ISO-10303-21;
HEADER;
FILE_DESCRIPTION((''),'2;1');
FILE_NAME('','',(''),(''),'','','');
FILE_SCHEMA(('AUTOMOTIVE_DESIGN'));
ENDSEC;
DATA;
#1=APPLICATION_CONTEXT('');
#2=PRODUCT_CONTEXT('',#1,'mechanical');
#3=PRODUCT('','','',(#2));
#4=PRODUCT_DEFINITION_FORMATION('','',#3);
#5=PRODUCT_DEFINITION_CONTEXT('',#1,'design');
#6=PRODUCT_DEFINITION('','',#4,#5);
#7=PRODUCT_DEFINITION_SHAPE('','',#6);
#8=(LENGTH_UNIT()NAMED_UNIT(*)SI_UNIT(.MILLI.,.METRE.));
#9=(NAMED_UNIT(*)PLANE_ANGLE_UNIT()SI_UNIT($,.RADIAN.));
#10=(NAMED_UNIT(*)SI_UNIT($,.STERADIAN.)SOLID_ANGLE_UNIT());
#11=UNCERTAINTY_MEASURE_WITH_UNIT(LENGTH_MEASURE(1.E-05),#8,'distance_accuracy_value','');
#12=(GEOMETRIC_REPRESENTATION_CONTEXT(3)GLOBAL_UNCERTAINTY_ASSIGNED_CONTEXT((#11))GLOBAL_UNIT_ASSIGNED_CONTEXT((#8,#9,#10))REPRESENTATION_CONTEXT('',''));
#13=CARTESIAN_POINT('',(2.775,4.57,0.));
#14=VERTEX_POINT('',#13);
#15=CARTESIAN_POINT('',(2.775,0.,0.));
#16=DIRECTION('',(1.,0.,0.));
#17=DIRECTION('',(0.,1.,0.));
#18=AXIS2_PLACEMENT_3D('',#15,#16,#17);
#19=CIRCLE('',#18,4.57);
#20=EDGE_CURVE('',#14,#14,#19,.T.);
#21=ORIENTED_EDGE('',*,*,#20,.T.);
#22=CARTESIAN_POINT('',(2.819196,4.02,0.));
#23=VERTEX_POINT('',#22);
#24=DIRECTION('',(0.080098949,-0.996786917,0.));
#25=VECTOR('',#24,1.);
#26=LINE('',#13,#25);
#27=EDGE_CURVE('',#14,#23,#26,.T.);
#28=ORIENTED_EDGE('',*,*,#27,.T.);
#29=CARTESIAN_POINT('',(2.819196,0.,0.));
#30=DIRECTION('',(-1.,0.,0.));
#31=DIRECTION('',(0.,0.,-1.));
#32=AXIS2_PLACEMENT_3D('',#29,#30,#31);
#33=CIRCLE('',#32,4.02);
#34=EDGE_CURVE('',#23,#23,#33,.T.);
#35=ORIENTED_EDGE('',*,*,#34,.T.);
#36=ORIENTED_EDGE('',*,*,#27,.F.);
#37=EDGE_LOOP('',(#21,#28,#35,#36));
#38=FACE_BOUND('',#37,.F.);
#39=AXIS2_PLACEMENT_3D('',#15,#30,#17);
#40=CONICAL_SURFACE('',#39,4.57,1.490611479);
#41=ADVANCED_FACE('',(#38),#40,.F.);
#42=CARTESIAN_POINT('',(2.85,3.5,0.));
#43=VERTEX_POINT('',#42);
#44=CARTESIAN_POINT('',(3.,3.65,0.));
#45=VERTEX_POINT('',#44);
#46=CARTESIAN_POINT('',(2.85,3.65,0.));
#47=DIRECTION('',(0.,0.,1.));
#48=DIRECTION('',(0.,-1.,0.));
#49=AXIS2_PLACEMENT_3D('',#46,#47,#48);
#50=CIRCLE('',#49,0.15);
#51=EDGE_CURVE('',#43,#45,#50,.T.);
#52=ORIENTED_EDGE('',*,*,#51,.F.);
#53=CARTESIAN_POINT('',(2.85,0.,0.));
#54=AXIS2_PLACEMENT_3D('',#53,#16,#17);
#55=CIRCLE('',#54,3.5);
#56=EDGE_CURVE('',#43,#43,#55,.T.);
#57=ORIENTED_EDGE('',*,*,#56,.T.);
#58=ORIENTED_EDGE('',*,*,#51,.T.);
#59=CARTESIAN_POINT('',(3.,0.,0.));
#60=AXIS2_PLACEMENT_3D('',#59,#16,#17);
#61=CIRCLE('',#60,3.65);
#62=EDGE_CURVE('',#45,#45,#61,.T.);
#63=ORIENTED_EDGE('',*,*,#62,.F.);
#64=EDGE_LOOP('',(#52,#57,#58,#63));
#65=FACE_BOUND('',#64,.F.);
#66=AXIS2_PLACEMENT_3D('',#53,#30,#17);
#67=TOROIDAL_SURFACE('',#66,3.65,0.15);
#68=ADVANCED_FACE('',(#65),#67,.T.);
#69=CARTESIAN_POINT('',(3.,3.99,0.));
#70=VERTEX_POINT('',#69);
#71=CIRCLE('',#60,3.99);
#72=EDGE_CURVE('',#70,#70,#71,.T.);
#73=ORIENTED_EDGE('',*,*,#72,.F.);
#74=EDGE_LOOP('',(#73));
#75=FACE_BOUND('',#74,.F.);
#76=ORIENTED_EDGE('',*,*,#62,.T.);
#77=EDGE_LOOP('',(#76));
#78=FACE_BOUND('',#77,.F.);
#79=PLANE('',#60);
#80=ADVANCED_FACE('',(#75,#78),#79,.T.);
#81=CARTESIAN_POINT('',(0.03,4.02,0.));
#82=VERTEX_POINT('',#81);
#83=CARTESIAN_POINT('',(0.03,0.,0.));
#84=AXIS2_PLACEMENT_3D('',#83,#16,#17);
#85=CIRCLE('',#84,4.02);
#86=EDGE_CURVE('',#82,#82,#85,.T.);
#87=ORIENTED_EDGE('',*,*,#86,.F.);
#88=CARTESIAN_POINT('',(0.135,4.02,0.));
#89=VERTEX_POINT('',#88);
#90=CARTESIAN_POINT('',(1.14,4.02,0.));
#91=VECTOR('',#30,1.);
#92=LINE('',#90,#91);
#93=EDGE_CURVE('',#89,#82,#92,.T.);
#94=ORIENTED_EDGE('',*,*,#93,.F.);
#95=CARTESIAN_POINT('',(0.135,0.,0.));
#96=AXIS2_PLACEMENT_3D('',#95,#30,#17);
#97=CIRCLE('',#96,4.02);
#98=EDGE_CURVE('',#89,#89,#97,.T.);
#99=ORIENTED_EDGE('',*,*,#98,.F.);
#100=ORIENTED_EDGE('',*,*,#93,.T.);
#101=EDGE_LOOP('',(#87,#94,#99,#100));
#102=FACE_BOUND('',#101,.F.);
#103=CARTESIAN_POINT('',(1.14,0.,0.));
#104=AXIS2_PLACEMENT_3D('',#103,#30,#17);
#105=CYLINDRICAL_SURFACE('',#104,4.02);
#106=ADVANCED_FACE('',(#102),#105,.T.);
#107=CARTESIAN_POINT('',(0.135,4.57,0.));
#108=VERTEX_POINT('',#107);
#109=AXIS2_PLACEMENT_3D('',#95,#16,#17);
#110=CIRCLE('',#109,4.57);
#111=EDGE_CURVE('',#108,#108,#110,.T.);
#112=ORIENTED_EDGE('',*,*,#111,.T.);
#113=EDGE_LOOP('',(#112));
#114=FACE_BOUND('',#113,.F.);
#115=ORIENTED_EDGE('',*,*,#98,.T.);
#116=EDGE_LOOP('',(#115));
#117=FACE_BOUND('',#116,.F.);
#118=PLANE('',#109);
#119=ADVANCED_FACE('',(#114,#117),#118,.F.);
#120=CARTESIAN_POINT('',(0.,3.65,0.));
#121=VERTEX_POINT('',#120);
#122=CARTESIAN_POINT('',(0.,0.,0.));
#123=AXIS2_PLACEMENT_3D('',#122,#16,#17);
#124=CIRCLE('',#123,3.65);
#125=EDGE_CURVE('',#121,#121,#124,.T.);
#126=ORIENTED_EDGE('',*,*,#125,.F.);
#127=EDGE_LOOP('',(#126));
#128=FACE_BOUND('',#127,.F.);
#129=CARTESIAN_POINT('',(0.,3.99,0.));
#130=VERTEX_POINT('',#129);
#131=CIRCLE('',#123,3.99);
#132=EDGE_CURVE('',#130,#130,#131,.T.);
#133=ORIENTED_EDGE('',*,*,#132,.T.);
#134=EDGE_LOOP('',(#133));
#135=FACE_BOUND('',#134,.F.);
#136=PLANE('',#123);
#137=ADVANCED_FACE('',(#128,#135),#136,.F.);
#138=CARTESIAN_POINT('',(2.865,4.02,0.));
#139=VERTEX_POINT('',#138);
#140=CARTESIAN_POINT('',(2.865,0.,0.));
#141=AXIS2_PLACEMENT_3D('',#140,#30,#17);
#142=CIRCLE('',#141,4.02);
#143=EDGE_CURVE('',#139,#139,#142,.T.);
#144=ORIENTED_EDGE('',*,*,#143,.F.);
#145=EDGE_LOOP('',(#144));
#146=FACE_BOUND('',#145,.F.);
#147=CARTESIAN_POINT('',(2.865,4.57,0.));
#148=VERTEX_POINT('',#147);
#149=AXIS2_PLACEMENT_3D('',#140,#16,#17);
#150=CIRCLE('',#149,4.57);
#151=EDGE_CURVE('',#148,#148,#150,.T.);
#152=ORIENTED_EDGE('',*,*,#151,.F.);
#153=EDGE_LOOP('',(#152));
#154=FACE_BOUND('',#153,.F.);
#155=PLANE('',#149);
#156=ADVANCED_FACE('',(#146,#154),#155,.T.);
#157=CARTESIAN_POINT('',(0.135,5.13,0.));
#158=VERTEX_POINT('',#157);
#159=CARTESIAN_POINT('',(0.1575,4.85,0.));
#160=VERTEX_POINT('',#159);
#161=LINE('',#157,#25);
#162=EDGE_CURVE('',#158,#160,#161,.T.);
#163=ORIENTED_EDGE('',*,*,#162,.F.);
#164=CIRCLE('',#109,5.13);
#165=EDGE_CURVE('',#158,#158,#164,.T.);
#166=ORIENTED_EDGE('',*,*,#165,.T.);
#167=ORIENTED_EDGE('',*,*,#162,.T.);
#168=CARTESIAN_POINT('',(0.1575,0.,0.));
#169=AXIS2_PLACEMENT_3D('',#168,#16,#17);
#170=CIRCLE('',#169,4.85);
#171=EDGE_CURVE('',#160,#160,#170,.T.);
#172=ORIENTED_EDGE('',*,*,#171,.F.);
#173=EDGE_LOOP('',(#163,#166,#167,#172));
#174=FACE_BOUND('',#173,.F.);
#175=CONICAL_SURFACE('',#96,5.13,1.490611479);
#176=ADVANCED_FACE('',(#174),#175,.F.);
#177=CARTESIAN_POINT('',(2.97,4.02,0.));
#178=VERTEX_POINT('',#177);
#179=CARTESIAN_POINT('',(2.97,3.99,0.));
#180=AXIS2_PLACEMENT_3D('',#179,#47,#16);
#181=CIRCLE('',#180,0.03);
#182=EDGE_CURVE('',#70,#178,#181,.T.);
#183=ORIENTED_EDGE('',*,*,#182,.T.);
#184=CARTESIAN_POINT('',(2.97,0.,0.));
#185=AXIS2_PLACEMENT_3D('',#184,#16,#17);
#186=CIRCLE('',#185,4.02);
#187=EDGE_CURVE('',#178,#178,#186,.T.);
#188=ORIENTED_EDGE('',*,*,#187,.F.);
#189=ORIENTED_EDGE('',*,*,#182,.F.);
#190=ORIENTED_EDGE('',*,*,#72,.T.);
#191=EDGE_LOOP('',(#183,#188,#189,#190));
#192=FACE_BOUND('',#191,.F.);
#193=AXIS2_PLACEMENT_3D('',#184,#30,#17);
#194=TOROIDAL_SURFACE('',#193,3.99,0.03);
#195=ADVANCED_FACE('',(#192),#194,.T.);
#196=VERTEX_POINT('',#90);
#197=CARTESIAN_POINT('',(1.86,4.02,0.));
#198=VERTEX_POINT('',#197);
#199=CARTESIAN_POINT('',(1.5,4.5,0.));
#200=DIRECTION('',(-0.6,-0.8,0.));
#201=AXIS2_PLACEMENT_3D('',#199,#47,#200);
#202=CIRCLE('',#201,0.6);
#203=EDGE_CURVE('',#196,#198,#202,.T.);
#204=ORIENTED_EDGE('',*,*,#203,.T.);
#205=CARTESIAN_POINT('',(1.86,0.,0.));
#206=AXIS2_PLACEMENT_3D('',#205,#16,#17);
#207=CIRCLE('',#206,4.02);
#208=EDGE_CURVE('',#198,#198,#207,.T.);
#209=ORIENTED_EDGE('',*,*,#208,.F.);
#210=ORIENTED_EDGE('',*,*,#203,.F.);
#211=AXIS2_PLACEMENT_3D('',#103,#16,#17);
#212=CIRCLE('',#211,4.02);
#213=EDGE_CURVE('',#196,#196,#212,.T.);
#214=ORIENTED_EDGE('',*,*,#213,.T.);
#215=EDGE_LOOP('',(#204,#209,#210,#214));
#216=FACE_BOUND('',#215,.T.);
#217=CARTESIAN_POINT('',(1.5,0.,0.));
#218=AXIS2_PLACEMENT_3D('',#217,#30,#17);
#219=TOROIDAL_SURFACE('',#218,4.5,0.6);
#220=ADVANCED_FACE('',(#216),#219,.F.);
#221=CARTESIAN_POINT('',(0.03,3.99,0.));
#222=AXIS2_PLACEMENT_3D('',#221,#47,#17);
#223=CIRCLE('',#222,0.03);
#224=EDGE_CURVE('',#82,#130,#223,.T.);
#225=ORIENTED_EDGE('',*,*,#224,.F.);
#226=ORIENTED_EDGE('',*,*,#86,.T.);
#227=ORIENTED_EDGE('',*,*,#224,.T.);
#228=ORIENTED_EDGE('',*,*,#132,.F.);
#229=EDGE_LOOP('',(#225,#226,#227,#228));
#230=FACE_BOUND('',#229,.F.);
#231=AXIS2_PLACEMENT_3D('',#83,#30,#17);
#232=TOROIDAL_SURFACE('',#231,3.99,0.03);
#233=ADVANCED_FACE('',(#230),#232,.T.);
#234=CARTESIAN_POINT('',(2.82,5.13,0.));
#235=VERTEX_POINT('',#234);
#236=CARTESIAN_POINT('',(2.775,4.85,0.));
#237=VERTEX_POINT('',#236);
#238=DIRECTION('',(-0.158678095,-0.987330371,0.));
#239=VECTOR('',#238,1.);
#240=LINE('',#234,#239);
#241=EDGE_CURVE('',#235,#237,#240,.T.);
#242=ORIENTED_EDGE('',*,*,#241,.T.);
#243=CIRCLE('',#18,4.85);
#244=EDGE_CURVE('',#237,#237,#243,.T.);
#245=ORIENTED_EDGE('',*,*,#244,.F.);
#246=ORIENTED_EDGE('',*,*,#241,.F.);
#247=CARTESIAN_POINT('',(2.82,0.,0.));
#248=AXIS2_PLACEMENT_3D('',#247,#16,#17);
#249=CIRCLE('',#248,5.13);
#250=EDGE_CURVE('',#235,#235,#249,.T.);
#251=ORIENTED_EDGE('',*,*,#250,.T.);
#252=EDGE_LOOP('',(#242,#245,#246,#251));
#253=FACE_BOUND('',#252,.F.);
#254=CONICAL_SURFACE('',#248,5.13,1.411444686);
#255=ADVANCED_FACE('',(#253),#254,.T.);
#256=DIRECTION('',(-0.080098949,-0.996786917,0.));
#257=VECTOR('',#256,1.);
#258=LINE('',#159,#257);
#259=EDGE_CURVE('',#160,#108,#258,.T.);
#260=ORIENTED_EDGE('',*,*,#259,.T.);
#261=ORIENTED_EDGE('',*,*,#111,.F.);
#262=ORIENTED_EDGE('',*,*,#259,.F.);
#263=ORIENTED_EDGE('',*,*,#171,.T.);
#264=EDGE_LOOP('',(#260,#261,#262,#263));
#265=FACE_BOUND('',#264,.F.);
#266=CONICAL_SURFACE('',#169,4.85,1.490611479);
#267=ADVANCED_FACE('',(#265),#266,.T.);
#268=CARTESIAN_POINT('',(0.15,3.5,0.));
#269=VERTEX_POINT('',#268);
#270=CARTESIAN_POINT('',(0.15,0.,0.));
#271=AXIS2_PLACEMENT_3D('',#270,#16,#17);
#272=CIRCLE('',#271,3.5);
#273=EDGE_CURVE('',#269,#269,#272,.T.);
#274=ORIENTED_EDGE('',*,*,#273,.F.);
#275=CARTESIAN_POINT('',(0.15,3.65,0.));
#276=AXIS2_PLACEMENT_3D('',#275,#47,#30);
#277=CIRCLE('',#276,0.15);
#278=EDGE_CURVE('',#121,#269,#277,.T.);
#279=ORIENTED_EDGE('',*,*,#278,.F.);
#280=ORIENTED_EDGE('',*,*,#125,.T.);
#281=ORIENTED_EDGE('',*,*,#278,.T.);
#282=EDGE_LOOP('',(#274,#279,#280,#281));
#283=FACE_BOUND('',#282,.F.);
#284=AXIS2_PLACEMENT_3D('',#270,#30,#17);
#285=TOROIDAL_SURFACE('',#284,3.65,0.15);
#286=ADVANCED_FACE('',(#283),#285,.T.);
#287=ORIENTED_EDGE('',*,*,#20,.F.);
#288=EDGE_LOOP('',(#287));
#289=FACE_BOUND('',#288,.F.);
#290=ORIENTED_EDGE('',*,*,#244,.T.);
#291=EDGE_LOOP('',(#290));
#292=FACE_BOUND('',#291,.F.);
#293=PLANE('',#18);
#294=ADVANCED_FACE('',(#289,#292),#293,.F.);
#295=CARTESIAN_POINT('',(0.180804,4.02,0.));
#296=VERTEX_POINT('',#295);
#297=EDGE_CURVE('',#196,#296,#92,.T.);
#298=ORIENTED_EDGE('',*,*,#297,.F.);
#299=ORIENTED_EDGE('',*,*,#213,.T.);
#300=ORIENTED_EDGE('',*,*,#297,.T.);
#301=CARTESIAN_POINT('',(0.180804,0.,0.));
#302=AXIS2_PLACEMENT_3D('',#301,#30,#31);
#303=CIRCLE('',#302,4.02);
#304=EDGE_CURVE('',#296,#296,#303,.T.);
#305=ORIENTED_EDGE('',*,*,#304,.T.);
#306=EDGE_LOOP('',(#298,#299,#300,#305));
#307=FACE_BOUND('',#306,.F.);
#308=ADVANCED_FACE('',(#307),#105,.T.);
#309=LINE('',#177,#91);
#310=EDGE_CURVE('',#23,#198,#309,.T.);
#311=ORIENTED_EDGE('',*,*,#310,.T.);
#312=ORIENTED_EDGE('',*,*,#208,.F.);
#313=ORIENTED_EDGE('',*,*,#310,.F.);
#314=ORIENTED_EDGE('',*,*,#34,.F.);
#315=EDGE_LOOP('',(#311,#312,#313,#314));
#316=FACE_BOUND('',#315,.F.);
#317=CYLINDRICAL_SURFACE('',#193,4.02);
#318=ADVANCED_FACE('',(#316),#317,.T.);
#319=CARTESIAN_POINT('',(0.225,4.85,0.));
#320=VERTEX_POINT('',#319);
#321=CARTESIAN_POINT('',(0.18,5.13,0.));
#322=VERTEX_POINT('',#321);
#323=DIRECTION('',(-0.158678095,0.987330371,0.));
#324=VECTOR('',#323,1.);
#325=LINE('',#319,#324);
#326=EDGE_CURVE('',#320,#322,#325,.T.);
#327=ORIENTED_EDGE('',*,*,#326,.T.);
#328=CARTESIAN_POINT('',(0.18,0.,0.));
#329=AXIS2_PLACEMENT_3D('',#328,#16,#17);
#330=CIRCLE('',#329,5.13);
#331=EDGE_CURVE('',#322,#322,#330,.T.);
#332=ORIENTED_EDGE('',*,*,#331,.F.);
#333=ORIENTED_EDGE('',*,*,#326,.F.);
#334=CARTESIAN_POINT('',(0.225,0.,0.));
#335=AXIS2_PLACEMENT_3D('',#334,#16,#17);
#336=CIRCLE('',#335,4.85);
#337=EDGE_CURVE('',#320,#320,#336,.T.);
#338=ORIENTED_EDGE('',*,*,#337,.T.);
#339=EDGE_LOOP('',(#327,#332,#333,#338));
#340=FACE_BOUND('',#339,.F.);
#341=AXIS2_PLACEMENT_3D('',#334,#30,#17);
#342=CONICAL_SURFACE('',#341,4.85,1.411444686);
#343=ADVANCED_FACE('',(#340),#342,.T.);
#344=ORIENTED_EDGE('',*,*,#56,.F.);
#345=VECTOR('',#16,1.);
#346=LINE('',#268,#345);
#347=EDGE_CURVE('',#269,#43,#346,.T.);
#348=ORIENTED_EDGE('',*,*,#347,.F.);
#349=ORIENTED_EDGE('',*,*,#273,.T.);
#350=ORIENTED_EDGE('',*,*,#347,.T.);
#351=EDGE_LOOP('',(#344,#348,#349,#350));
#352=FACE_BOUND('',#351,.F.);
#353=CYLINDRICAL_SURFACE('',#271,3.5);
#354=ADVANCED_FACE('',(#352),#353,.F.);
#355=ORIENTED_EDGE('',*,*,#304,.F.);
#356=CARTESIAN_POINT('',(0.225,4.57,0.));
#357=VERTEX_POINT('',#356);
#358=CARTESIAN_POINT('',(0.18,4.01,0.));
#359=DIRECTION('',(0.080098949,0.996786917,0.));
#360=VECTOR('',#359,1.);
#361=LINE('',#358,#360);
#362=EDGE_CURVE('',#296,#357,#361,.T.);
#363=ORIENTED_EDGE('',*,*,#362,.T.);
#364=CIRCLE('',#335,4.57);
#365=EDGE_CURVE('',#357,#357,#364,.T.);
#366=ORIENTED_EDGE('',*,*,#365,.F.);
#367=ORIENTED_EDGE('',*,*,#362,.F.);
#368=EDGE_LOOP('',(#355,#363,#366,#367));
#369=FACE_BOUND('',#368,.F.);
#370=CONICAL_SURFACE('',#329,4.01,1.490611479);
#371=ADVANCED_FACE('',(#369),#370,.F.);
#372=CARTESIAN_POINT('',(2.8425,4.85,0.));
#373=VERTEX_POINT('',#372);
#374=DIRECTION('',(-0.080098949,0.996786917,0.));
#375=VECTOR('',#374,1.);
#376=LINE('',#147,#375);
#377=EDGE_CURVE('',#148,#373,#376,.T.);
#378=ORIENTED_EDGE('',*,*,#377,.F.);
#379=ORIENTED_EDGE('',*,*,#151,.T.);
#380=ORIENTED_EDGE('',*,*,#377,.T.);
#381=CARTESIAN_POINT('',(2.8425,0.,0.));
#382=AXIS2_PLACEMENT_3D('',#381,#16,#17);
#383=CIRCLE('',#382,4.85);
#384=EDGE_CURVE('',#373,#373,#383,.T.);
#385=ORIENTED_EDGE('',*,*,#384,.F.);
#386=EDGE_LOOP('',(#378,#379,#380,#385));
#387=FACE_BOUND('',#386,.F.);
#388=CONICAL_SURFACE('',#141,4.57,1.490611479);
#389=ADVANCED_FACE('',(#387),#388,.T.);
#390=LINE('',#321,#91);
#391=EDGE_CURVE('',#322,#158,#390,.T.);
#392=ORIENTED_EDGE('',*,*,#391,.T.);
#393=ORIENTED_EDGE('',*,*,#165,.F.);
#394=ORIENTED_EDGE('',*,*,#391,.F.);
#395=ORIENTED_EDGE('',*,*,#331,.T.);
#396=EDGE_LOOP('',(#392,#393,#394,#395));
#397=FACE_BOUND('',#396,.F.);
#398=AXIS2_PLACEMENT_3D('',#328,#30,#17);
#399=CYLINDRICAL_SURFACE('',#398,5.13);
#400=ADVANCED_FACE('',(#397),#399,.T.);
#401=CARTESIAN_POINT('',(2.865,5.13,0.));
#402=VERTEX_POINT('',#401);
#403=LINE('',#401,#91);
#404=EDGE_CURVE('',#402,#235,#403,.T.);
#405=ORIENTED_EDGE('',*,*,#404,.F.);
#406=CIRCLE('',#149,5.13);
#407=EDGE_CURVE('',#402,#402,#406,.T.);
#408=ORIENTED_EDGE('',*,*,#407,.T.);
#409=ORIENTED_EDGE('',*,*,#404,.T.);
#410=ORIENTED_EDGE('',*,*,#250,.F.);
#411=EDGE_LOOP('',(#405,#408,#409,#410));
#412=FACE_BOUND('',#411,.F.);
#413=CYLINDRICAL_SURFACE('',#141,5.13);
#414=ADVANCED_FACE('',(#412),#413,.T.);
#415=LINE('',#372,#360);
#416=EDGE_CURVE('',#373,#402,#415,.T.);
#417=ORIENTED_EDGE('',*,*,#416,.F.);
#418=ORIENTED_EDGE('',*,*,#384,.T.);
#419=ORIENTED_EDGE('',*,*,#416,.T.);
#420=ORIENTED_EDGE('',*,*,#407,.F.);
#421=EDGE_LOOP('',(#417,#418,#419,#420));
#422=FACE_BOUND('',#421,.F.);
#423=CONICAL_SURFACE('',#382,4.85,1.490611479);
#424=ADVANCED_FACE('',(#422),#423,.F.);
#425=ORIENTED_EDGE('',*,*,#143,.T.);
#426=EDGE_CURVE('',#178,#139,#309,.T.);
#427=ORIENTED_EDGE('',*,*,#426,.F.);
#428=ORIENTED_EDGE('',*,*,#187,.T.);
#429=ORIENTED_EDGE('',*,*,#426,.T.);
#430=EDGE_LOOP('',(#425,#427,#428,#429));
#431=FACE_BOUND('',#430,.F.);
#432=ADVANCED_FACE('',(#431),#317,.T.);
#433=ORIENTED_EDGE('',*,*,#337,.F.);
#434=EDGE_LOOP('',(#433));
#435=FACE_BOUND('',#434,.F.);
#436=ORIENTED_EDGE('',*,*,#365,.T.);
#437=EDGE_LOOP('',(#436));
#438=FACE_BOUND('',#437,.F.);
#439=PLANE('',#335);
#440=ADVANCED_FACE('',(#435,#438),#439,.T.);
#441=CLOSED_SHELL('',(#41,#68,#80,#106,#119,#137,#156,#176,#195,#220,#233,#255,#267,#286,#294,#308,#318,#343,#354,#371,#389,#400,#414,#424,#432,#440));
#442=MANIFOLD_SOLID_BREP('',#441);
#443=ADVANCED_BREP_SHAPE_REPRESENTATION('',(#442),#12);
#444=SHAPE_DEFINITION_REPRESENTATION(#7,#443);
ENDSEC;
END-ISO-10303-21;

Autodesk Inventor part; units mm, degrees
ref_plane "YZ Plane" through (0, 0, 0) normal (1, 0, 0) x (0, 1, 0)
ref_plane "XZ Plane" through (0, 0, 0) normal (0, 1, 0) x (-1, 0, 0)
ref_plane "XY Plane" through (0, 0, 0) normal (0, 0, 1) x (1, 0, 0)
sketch "Sketch_17" plane through (0, 0, 0) normal (0, 0, 1) x (1, 0, 0)
  line L0 (50, 0) -> (-50, 0)
  line L1 (0, 3.99) -> (0, 3.65)
  arc A0 (0, 3.65) -> (0.15, 3.5) centre (0.15, 3.65) ccw
  line L2 (0.15, 3.5) -> (2.85, 3.5)
  arc A1 (2.85, 3.5) -> (3, 3.65) centre (2.85, 3.65) ccw
  line L3 (3, 3.65) -> (3, 3.99)
  arc A2 (3, 3.99) -> (2.97, 4.02) centre (2.97, 3.99) ccw
  line L4 (2.97, 4.02) -> (1.86, 4.02)
  arc A3 (1.14, 4.02) -> (1.86, 4.02) centre (1.5, 4.5) ccw
  line L5 (1.14, 4.02) -> (0.03, 4.02)
  arc A4 (0.03, 4.02) -> (0, 3.99) centre (0.03, 3.99) ccw
revolve "Revolution1" add sketch "Sketch_17" angle 360 about axis through (50, 0, 0) along (1, 0, 0)
sketch "Sketch_20" plane through (0, 0, 0) normal (0, 0, 1) x (1, 0, 0)
  line L0 (50, 0) -> (-50, 0)
  line L1 (0.135, 5.13) -> (0.1575, 4.85)
  line L2 (0.1575, 4.85) -> (0.135, 4.57)
  line L3 (0.135, 4.57) -> (0.135, 4.01)
  line L4 (0.135, 4.01) -> (0.18, 4.01)
  line L5 (0.18, 4.01) -> (0.225, 4.57)
  line L6 (0.225, 4.57) -> (0.225, 4.85)
  line L7 (0.225, 4.85) -> (0.18, 5.13)
  line L8 (0.18, 5.13) -> (0.135, 5.13)
revolve "Revolution2" add sketch "Sketch_20" angle 360 about axis through (50, 0, 0) along (1, 0, 0)
sketch "Sketch_21" plane through (0, 0, 0) normal (0, 0, 1) x (1, 0, 0)
  line L0 (50, 0) -> (-50, 0)
  line L1 (2.775, 4.85) -> (2.775, 4.57)
  line L2 (2.775, 4.57) -> (2.82, 4.01)
  line L3 (2.82, 4.01) -> (2.865, 4.01)
  line L4 (2.865, 4.01) -> (2.865, 4.57)
  line L5 (2.865, 4.57) -> (2.8425, 4.85)
  line L6 (2.8425, 4.85) -> (2.865, 5.13)
  line L7 (2.865, 5.13) -> (2.82, 5.13)
  line L8 (2.82, 5.13) -> (2.775, 4.85)
revolve "Revolution3" add sketch "Sketch_21" angle 360 about axis through (50, 0, 0) along (1, 0, 0)
properties part number "W 627/7-2ZS_PART1"
